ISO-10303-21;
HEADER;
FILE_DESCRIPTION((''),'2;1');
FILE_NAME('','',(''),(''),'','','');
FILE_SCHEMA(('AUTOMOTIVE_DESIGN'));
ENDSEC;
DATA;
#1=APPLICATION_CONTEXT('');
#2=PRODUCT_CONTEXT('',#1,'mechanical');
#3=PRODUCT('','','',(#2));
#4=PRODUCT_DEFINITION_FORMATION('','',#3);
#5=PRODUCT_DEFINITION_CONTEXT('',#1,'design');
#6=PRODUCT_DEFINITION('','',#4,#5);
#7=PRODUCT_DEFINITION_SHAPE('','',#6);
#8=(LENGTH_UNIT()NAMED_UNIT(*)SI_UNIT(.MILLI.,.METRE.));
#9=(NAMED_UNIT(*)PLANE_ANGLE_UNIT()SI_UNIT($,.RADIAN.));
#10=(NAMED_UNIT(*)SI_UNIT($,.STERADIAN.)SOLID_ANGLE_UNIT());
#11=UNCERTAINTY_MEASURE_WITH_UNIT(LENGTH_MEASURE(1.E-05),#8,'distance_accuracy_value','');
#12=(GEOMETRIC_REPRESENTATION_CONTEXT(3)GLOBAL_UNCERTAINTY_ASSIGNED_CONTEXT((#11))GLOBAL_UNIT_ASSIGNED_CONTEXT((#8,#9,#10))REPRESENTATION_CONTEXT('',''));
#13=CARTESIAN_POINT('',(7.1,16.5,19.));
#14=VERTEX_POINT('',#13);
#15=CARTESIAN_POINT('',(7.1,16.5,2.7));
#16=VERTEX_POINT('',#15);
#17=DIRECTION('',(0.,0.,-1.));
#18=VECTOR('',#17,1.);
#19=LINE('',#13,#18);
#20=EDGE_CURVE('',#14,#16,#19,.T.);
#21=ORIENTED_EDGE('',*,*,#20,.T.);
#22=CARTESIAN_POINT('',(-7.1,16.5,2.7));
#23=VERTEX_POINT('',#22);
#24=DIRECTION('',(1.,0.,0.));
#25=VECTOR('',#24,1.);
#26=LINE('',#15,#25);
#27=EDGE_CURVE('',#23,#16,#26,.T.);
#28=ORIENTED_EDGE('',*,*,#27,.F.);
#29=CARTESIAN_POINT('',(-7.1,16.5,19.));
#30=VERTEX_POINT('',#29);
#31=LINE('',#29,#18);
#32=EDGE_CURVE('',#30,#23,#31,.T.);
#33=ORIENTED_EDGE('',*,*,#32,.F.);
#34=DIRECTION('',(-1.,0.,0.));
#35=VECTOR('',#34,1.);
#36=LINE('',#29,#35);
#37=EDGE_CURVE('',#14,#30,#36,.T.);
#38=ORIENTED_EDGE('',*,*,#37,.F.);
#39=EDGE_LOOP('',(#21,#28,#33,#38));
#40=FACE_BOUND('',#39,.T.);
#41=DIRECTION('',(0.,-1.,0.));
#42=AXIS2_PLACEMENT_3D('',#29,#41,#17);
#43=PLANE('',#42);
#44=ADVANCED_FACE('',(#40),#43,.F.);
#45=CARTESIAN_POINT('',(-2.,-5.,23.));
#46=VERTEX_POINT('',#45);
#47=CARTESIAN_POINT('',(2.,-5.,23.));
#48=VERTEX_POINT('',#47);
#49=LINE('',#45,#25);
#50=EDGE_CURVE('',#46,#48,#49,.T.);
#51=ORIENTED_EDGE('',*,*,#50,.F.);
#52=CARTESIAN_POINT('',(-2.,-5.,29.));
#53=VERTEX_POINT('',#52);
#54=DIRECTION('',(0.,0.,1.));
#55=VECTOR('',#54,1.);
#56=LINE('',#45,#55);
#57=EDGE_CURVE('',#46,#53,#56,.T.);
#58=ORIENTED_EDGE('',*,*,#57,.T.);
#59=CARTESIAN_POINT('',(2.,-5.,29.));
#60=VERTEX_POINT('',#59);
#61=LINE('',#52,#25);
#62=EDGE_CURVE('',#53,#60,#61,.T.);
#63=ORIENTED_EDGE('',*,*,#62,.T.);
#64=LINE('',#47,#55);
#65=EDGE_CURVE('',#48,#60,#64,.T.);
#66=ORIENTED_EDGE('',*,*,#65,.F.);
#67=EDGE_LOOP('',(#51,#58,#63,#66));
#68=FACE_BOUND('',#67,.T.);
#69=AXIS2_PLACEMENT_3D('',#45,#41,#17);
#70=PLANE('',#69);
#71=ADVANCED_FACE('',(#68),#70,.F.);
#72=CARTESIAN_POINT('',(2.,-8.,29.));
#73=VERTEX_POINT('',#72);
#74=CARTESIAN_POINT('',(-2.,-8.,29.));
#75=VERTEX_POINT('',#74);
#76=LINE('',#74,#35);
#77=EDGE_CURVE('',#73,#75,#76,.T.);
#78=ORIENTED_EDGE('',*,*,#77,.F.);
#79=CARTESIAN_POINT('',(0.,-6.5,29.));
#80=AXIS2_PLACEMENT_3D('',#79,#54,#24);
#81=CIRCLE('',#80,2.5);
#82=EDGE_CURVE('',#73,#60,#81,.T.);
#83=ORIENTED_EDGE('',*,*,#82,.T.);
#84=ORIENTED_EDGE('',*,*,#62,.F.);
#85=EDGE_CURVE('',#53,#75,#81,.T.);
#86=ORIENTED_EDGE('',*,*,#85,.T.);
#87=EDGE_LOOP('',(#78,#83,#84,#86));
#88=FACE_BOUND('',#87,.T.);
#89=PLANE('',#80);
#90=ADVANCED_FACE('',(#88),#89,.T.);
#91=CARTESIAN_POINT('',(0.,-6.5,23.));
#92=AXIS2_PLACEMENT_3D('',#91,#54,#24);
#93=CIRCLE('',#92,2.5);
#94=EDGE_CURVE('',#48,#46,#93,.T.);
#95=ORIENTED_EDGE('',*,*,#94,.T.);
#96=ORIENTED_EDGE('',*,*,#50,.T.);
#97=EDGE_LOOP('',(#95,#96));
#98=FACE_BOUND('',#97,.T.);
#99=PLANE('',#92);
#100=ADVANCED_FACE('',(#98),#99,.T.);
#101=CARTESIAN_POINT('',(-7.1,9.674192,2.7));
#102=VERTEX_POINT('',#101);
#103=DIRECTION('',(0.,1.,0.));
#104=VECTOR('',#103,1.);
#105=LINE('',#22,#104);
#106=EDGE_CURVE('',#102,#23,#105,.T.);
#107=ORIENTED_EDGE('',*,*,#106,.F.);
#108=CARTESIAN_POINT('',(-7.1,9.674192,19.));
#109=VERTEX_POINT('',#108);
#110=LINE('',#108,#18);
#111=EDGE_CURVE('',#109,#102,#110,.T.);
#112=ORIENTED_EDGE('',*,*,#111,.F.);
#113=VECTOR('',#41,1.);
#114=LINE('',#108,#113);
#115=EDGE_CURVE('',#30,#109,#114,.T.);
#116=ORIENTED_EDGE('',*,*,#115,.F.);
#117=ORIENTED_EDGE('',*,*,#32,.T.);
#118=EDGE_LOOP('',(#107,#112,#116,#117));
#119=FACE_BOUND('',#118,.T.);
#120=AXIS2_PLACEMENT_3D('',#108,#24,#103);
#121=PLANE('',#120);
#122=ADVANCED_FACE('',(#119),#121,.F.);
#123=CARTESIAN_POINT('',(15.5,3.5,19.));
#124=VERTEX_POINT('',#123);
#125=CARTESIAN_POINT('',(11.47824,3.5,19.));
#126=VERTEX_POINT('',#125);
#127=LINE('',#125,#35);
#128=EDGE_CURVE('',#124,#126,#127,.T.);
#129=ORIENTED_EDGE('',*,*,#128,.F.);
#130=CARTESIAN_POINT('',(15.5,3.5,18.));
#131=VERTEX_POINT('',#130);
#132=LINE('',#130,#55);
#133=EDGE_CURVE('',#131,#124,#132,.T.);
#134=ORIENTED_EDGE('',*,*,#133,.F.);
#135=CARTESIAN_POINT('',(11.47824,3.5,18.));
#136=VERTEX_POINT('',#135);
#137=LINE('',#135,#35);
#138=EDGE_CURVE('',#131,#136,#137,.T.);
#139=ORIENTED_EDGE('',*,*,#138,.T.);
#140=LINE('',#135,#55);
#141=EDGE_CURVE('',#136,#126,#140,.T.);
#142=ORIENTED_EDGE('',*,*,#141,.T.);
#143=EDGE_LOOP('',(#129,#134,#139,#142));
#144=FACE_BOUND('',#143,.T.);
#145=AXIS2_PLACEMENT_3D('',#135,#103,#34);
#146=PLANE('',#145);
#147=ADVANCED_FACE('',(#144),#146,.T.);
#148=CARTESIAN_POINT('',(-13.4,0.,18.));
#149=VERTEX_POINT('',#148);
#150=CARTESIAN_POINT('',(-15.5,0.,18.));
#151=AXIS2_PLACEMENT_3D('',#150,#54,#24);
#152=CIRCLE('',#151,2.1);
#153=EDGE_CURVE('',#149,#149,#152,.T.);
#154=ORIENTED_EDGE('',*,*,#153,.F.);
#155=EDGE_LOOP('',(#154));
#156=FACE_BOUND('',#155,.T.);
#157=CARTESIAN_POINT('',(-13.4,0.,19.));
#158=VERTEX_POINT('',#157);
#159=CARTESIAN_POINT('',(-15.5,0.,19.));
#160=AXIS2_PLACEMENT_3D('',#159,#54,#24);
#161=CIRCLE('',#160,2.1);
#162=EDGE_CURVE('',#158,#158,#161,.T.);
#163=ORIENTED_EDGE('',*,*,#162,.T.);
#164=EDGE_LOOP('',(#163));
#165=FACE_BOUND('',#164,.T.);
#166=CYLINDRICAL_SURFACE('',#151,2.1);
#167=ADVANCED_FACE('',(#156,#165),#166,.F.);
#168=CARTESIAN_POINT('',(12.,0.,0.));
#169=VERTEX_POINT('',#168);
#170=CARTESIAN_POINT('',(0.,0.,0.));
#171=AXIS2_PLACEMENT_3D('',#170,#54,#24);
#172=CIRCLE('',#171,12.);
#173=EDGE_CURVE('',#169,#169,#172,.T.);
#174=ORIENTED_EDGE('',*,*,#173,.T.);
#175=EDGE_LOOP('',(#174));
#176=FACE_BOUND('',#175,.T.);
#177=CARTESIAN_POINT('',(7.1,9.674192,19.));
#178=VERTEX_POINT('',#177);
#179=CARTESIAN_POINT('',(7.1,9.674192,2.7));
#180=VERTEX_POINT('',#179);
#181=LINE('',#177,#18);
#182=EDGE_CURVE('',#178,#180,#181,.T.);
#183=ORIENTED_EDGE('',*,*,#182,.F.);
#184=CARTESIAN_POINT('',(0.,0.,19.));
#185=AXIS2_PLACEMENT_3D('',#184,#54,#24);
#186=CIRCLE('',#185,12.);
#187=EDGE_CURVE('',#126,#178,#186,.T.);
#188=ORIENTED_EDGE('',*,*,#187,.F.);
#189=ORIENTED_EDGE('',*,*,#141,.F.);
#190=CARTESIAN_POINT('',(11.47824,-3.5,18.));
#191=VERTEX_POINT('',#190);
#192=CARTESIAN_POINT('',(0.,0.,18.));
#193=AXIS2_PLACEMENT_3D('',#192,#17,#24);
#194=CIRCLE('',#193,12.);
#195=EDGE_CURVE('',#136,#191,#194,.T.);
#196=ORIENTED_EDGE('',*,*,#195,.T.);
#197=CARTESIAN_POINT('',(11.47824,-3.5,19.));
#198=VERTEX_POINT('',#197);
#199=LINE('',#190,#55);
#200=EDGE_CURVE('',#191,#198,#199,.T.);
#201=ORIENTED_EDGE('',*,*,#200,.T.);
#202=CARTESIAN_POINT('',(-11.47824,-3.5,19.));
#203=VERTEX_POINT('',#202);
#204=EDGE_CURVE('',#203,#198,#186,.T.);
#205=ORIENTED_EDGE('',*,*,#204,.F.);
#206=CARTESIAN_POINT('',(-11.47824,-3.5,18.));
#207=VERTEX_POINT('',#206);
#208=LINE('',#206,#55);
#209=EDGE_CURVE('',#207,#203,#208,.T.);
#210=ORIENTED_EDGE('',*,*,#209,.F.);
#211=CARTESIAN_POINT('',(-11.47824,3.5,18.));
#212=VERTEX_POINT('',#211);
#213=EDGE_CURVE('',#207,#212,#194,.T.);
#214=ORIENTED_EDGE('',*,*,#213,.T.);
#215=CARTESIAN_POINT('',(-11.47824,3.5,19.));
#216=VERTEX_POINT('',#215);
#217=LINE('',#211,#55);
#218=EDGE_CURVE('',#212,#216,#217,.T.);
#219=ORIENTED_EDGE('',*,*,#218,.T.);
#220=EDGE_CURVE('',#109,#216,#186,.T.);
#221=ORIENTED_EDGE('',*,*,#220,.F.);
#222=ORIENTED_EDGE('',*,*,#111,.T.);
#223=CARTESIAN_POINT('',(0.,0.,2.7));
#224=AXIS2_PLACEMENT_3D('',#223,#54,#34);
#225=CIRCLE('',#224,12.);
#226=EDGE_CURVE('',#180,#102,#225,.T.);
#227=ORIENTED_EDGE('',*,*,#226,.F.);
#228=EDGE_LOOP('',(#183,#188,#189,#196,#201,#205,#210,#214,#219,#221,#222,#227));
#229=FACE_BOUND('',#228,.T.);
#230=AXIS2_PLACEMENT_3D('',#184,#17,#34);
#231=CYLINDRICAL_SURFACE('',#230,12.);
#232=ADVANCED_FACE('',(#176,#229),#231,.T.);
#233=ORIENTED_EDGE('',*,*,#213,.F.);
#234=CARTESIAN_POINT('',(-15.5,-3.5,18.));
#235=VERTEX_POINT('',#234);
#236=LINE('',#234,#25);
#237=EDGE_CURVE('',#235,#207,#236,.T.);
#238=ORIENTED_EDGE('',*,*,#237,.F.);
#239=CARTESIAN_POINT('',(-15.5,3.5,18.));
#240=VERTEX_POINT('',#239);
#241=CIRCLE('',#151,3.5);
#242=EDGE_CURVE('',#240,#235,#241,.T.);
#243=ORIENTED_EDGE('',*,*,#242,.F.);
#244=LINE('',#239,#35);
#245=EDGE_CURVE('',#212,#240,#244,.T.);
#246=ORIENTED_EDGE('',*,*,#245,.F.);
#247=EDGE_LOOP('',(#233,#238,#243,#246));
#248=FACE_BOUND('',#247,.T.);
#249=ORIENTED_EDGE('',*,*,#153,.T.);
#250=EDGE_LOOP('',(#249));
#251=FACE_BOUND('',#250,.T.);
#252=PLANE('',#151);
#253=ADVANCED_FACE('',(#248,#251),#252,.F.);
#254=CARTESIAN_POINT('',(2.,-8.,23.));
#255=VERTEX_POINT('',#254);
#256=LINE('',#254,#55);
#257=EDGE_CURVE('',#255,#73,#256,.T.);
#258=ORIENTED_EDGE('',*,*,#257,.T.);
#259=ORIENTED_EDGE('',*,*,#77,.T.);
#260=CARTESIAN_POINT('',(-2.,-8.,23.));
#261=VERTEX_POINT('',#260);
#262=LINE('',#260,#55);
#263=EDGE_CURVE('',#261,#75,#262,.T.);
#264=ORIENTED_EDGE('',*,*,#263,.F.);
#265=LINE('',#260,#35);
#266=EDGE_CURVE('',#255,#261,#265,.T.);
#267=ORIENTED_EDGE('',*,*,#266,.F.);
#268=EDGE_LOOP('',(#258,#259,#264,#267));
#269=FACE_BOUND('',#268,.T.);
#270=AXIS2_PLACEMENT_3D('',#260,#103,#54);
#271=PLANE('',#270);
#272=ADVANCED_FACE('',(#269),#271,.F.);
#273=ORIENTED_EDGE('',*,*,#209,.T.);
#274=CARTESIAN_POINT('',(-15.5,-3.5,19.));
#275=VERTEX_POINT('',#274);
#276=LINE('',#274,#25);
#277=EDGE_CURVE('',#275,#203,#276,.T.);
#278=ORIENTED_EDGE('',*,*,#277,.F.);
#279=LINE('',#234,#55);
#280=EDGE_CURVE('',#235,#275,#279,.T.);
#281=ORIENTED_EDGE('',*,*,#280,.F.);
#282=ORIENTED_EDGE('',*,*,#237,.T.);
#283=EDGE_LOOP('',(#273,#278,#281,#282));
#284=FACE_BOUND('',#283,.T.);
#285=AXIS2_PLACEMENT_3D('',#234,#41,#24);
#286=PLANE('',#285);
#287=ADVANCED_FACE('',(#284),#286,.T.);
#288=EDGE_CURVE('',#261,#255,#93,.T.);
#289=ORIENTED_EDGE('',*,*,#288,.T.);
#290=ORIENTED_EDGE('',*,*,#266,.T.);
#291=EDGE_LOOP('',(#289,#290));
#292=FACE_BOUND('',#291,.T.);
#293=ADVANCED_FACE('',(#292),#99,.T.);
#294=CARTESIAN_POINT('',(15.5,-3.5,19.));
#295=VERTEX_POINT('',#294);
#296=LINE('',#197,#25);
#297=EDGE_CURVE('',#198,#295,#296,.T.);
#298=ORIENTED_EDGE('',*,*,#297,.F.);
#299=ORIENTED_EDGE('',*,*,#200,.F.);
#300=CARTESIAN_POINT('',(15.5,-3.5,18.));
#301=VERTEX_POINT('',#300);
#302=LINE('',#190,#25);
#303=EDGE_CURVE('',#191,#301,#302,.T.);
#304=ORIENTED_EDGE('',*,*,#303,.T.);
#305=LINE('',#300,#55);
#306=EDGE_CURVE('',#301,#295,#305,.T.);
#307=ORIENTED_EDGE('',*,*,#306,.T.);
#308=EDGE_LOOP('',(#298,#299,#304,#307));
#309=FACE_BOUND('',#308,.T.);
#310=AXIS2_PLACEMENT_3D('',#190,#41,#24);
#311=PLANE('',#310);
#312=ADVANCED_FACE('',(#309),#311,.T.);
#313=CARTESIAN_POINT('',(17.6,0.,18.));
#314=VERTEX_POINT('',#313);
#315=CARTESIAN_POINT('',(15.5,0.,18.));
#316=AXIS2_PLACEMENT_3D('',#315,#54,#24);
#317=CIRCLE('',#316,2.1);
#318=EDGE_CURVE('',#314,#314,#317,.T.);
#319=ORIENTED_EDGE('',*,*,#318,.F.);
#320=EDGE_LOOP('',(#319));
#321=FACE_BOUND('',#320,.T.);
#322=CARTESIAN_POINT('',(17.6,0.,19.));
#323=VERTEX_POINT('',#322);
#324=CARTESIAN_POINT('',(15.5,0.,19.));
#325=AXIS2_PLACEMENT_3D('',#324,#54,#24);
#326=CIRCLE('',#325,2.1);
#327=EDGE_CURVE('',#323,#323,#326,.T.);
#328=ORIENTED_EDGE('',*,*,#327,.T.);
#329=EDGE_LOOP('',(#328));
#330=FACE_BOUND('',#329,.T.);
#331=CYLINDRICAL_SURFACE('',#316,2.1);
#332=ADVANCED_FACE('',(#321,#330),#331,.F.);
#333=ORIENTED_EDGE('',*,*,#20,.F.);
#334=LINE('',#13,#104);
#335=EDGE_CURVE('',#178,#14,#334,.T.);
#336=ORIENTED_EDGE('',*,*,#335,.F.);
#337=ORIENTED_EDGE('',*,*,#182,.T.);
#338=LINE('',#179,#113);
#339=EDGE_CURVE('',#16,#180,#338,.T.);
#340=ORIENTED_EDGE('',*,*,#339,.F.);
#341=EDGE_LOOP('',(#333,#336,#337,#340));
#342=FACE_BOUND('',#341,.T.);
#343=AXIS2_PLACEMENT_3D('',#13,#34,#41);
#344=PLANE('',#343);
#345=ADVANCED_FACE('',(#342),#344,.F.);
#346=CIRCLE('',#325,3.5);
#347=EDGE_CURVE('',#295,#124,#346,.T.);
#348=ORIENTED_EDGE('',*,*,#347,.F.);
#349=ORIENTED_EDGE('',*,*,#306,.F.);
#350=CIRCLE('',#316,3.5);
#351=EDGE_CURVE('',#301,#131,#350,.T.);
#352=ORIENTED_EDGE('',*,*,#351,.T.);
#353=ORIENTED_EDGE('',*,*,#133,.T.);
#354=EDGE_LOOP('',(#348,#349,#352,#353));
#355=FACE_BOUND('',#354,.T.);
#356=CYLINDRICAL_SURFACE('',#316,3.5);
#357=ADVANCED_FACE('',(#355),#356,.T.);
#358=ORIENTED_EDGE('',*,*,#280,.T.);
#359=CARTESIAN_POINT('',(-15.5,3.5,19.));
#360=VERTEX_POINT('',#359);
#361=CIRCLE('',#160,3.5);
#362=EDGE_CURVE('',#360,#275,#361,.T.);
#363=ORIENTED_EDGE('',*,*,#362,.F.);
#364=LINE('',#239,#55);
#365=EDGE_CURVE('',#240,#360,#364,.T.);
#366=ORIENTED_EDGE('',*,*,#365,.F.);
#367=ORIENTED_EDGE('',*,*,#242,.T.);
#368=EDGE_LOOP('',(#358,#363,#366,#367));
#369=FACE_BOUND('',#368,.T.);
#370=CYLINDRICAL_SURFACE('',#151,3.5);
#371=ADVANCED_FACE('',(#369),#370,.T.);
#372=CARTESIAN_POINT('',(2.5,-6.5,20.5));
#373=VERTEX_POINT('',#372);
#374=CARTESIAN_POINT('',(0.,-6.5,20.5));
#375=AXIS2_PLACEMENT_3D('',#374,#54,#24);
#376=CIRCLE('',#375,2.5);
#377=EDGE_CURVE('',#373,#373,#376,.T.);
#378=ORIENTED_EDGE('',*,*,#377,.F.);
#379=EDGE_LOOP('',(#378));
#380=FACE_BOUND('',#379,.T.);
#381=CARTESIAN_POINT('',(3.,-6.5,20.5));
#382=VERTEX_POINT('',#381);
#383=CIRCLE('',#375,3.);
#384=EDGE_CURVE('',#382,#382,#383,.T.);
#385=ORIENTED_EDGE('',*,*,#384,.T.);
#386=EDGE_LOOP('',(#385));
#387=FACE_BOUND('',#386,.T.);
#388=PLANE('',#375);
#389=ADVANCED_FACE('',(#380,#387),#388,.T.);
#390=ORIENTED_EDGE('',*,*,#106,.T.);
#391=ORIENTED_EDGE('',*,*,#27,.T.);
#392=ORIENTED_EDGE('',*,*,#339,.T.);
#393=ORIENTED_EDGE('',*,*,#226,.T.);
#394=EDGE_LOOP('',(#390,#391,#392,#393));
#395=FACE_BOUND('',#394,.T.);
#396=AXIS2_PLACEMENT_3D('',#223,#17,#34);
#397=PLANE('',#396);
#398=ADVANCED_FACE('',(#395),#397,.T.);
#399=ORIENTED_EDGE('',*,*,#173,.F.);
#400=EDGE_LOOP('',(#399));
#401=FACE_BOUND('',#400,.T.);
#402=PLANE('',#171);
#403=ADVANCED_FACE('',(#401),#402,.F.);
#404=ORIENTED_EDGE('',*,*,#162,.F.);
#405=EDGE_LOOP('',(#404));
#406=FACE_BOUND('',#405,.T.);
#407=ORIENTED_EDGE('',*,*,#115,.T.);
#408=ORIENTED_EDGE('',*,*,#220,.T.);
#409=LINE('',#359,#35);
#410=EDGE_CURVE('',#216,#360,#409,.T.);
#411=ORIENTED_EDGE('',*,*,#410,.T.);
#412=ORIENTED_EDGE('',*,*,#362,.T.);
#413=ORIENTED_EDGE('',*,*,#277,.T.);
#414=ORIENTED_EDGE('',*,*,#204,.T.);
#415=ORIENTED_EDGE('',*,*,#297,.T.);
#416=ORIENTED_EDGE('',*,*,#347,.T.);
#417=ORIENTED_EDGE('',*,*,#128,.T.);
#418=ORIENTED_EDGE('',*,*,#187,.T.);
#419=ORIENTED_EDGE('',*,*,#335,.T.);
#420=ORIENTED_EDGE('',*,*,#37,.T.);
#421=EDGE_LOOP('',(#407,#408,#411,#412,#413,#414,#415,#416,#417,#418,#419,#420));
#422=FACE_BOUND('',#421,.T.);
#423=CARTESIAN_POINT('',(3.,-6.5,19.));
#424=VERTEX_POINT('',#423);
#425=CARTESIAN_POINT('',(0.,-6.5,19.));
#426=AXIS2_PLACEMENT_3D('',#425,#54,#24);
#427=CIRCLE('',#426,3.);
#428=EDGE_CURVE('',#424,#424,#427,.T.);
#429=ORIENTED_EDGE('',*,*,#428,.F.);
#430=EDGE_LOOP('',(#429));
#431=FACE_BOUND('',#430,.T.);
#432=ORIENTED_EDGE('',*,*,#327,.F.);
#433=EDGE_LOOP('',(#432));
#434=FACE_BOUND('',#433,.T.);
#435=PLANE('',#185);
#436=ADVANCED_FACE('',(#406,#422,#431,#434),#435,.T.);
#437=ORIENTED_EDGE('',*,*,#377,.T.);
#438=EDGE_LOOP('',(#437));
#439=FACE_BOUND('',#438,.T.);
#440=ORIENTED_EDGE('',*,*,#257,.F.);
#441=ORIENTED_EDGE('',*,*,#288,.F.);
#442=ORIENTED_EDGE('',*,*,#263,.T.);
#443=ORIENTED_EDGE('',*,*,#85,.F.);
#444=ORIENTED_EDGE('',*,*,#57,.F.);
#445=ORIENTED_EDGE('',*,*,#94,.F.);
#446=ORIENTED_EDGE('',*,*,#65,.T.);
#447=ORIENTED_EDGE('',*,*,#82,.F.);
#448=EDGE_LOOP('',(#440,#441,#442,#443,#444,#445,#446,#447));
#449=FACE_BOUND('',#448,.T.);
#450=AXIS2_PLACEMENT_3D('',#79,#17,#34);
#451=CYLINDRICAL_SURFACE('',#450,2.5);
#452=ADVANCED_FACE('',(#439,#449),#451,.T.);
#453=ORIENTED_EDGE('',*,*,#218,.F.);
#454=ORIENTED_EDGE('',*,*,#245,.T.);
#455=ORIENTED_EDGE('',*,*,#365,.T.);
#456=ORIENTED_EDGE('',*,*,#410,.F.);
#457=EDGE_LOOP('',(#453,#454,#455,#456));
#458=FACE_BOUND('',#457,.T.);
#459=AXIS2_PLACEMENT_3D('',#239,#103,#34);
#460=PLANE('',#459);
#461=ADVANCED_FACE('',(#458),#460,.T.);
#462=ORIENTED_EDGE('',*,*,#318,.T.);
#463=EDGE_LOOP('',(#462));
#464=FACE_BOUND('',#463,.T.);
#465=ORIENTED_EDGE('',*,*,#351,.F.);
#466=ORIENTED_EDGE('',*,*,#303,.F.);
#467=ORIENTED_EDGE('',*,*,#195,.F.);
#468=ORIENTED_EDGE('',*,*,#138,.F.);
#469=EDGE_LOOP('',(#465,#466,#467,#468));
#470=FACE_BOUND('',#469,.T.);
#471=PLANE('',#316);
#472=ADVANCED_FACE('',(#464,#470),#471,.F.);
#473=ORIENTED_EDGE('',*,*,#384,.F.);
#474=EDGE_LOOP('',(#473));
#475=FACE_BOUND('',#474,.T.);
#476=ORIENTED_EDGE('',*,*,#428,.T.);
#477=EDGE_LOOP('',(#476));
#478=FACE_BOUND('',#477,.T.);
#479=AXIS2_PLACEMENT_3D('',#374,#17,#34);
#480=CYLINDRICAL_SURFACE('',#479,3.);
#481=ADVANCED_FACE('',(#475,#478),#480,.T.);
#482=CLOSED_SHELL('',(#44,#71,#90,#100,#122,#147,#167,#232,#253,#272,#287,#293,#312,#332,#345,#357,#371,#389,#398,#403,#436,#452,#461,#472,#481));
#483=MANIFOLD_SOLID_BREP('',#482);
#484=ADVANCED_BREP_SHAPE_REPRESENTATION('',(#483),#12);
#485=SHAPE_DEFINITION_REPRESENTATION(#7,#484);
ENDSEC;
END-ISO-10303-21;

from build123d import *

# Parameters (mm, degrees)
BOSS_EXTRUDE1_DEPTH = 19
CUT_EXTRUDE1_DEPTH  = 2.7
SKETCH3_R           = 2.1
BOSS_EXTRUDE2_DEPTH = 1
SKETCH4_R           = 3
BOSS_EXTRUDE3_DEPTH = 1.5
SKETCH5_R           = 2.5
BOSS_EXTRUDE5_DEPTH = 8.5
CUT_EXTRUDE2_DEPTH  = 6


with BuildPart() as part:
    # Sketch1 → Boss-Extrude1 (new body)
    with BuildSketch(Plane.XY):
        with BuildLine():
            Line((-7.1, 9.674192473), (-7.1, 16.5))
            Line((-7.1, 16.5), (7.1, 16.5))
            Line((7.1, 16.5), (7.1, 9.674192473))
            ThreePointArc((7.1, 9.674192473), (0, -12), (-7.1, 9.674192473))
        make_face()
    extrude(amount=BOSS_EXTRUDE1_DEPTH)

    # Sketch2 → Cut-Extrude1 (cut)
    with BuildSketch(Plane(origin=(0, 0, 0), x_dir=(-1, 0, 0), z_dir=(0, 0, -1))):
        with BuildLine():
            Line((7.1, 16.5), (7.1, 9.674192473))
            ThreePointArc((7.1, 9.674192473), (0, 12), (-7.1, 9.674192473))
            Line((-7.1, 9.674192473), (-7.1, 16.5))
            Line((-7.1, 16.5), (7.1, 16.5))
        make_face()
    extrude(amount=-CUT_EXTRUDE1_DEPTH, mode=Mode.SUBTRACT)

    # Sketch3 → Boss-Extrude2 (add)
    with BuildSketch(Plane.XY.offset(19)):
        with BuildLine():
            Line((-15.5, 3.5), (-11.478240283, 3.5))
            ThreePointArc((-11.478240283, 3.5), (-12, 0), (-11.478240283, -3.5))
            Line((-11.478240283, -3.5), (-15.5, -3.5))
            ThreePointArc((-15.5, -3.5), (-19, 0), (-15.5, 3.5))
        make_face()
        with Locations((-15.5, 0)):
            Circle(SKETCH3_R, mode=Mode.SUBTRACT)
        with BuildLine():
            Line((11.478240283, 3.5), (15.5, 3.5))
            ThreePointArc((15.5, 3.5), (19, 0), (15.5, -3.5))
            Line((15.5, -3.5), (11.478240283, -3.5))
            ThreePointArc((11.478240283, -3.5), (12, 0), (11.478240283, 3.5))
        make_face()
        with Locations((15.5, 0)):
            Circle(SKETCH3_R, mode=Mode.SUBTRACT)
    extrude(amount=-BOSS_EXTRUDE2_DEPTH)

    # Sketch4 → Boss-Extrude3 (add)
    with BuildSketch(Plane.XY.offset(19)):
        with Locations((0, -6.5)):
            Circle(SKETCH4_R)
    extrude(amount=BOSS_EXTRUDE3_DEPTH)

    # Sketch5 → Boss-Extrude5 (add)
    with BuildSketch(Plane.XY.offset(20.5)):
        with Locations((0, -6.5)):
            Circle(SKETCH5_R)
    extrude(amount=BOSS_EXTRUDE5_DEPTH)

    # Sketch7 → Cut-Extrude2 (cut)
    with BuildSketch(Plane.XY.offset(29)):
        with BuildLine():
            Line((-2, -5), (2, -5))
            ThreePointArc((2, -5), (0, -4), (-2, -5))
        make_face()
        with BuildLine():
            Line((-2, -8), (2, -8))
            ThreePointArc((2, -8), (0, -9), (-2, -8))
        make_face()
    extrude(amount=-CUT_EXTRUDE2_DEPTH, mode=Mode.SUBTRACT)


solid = part.part
